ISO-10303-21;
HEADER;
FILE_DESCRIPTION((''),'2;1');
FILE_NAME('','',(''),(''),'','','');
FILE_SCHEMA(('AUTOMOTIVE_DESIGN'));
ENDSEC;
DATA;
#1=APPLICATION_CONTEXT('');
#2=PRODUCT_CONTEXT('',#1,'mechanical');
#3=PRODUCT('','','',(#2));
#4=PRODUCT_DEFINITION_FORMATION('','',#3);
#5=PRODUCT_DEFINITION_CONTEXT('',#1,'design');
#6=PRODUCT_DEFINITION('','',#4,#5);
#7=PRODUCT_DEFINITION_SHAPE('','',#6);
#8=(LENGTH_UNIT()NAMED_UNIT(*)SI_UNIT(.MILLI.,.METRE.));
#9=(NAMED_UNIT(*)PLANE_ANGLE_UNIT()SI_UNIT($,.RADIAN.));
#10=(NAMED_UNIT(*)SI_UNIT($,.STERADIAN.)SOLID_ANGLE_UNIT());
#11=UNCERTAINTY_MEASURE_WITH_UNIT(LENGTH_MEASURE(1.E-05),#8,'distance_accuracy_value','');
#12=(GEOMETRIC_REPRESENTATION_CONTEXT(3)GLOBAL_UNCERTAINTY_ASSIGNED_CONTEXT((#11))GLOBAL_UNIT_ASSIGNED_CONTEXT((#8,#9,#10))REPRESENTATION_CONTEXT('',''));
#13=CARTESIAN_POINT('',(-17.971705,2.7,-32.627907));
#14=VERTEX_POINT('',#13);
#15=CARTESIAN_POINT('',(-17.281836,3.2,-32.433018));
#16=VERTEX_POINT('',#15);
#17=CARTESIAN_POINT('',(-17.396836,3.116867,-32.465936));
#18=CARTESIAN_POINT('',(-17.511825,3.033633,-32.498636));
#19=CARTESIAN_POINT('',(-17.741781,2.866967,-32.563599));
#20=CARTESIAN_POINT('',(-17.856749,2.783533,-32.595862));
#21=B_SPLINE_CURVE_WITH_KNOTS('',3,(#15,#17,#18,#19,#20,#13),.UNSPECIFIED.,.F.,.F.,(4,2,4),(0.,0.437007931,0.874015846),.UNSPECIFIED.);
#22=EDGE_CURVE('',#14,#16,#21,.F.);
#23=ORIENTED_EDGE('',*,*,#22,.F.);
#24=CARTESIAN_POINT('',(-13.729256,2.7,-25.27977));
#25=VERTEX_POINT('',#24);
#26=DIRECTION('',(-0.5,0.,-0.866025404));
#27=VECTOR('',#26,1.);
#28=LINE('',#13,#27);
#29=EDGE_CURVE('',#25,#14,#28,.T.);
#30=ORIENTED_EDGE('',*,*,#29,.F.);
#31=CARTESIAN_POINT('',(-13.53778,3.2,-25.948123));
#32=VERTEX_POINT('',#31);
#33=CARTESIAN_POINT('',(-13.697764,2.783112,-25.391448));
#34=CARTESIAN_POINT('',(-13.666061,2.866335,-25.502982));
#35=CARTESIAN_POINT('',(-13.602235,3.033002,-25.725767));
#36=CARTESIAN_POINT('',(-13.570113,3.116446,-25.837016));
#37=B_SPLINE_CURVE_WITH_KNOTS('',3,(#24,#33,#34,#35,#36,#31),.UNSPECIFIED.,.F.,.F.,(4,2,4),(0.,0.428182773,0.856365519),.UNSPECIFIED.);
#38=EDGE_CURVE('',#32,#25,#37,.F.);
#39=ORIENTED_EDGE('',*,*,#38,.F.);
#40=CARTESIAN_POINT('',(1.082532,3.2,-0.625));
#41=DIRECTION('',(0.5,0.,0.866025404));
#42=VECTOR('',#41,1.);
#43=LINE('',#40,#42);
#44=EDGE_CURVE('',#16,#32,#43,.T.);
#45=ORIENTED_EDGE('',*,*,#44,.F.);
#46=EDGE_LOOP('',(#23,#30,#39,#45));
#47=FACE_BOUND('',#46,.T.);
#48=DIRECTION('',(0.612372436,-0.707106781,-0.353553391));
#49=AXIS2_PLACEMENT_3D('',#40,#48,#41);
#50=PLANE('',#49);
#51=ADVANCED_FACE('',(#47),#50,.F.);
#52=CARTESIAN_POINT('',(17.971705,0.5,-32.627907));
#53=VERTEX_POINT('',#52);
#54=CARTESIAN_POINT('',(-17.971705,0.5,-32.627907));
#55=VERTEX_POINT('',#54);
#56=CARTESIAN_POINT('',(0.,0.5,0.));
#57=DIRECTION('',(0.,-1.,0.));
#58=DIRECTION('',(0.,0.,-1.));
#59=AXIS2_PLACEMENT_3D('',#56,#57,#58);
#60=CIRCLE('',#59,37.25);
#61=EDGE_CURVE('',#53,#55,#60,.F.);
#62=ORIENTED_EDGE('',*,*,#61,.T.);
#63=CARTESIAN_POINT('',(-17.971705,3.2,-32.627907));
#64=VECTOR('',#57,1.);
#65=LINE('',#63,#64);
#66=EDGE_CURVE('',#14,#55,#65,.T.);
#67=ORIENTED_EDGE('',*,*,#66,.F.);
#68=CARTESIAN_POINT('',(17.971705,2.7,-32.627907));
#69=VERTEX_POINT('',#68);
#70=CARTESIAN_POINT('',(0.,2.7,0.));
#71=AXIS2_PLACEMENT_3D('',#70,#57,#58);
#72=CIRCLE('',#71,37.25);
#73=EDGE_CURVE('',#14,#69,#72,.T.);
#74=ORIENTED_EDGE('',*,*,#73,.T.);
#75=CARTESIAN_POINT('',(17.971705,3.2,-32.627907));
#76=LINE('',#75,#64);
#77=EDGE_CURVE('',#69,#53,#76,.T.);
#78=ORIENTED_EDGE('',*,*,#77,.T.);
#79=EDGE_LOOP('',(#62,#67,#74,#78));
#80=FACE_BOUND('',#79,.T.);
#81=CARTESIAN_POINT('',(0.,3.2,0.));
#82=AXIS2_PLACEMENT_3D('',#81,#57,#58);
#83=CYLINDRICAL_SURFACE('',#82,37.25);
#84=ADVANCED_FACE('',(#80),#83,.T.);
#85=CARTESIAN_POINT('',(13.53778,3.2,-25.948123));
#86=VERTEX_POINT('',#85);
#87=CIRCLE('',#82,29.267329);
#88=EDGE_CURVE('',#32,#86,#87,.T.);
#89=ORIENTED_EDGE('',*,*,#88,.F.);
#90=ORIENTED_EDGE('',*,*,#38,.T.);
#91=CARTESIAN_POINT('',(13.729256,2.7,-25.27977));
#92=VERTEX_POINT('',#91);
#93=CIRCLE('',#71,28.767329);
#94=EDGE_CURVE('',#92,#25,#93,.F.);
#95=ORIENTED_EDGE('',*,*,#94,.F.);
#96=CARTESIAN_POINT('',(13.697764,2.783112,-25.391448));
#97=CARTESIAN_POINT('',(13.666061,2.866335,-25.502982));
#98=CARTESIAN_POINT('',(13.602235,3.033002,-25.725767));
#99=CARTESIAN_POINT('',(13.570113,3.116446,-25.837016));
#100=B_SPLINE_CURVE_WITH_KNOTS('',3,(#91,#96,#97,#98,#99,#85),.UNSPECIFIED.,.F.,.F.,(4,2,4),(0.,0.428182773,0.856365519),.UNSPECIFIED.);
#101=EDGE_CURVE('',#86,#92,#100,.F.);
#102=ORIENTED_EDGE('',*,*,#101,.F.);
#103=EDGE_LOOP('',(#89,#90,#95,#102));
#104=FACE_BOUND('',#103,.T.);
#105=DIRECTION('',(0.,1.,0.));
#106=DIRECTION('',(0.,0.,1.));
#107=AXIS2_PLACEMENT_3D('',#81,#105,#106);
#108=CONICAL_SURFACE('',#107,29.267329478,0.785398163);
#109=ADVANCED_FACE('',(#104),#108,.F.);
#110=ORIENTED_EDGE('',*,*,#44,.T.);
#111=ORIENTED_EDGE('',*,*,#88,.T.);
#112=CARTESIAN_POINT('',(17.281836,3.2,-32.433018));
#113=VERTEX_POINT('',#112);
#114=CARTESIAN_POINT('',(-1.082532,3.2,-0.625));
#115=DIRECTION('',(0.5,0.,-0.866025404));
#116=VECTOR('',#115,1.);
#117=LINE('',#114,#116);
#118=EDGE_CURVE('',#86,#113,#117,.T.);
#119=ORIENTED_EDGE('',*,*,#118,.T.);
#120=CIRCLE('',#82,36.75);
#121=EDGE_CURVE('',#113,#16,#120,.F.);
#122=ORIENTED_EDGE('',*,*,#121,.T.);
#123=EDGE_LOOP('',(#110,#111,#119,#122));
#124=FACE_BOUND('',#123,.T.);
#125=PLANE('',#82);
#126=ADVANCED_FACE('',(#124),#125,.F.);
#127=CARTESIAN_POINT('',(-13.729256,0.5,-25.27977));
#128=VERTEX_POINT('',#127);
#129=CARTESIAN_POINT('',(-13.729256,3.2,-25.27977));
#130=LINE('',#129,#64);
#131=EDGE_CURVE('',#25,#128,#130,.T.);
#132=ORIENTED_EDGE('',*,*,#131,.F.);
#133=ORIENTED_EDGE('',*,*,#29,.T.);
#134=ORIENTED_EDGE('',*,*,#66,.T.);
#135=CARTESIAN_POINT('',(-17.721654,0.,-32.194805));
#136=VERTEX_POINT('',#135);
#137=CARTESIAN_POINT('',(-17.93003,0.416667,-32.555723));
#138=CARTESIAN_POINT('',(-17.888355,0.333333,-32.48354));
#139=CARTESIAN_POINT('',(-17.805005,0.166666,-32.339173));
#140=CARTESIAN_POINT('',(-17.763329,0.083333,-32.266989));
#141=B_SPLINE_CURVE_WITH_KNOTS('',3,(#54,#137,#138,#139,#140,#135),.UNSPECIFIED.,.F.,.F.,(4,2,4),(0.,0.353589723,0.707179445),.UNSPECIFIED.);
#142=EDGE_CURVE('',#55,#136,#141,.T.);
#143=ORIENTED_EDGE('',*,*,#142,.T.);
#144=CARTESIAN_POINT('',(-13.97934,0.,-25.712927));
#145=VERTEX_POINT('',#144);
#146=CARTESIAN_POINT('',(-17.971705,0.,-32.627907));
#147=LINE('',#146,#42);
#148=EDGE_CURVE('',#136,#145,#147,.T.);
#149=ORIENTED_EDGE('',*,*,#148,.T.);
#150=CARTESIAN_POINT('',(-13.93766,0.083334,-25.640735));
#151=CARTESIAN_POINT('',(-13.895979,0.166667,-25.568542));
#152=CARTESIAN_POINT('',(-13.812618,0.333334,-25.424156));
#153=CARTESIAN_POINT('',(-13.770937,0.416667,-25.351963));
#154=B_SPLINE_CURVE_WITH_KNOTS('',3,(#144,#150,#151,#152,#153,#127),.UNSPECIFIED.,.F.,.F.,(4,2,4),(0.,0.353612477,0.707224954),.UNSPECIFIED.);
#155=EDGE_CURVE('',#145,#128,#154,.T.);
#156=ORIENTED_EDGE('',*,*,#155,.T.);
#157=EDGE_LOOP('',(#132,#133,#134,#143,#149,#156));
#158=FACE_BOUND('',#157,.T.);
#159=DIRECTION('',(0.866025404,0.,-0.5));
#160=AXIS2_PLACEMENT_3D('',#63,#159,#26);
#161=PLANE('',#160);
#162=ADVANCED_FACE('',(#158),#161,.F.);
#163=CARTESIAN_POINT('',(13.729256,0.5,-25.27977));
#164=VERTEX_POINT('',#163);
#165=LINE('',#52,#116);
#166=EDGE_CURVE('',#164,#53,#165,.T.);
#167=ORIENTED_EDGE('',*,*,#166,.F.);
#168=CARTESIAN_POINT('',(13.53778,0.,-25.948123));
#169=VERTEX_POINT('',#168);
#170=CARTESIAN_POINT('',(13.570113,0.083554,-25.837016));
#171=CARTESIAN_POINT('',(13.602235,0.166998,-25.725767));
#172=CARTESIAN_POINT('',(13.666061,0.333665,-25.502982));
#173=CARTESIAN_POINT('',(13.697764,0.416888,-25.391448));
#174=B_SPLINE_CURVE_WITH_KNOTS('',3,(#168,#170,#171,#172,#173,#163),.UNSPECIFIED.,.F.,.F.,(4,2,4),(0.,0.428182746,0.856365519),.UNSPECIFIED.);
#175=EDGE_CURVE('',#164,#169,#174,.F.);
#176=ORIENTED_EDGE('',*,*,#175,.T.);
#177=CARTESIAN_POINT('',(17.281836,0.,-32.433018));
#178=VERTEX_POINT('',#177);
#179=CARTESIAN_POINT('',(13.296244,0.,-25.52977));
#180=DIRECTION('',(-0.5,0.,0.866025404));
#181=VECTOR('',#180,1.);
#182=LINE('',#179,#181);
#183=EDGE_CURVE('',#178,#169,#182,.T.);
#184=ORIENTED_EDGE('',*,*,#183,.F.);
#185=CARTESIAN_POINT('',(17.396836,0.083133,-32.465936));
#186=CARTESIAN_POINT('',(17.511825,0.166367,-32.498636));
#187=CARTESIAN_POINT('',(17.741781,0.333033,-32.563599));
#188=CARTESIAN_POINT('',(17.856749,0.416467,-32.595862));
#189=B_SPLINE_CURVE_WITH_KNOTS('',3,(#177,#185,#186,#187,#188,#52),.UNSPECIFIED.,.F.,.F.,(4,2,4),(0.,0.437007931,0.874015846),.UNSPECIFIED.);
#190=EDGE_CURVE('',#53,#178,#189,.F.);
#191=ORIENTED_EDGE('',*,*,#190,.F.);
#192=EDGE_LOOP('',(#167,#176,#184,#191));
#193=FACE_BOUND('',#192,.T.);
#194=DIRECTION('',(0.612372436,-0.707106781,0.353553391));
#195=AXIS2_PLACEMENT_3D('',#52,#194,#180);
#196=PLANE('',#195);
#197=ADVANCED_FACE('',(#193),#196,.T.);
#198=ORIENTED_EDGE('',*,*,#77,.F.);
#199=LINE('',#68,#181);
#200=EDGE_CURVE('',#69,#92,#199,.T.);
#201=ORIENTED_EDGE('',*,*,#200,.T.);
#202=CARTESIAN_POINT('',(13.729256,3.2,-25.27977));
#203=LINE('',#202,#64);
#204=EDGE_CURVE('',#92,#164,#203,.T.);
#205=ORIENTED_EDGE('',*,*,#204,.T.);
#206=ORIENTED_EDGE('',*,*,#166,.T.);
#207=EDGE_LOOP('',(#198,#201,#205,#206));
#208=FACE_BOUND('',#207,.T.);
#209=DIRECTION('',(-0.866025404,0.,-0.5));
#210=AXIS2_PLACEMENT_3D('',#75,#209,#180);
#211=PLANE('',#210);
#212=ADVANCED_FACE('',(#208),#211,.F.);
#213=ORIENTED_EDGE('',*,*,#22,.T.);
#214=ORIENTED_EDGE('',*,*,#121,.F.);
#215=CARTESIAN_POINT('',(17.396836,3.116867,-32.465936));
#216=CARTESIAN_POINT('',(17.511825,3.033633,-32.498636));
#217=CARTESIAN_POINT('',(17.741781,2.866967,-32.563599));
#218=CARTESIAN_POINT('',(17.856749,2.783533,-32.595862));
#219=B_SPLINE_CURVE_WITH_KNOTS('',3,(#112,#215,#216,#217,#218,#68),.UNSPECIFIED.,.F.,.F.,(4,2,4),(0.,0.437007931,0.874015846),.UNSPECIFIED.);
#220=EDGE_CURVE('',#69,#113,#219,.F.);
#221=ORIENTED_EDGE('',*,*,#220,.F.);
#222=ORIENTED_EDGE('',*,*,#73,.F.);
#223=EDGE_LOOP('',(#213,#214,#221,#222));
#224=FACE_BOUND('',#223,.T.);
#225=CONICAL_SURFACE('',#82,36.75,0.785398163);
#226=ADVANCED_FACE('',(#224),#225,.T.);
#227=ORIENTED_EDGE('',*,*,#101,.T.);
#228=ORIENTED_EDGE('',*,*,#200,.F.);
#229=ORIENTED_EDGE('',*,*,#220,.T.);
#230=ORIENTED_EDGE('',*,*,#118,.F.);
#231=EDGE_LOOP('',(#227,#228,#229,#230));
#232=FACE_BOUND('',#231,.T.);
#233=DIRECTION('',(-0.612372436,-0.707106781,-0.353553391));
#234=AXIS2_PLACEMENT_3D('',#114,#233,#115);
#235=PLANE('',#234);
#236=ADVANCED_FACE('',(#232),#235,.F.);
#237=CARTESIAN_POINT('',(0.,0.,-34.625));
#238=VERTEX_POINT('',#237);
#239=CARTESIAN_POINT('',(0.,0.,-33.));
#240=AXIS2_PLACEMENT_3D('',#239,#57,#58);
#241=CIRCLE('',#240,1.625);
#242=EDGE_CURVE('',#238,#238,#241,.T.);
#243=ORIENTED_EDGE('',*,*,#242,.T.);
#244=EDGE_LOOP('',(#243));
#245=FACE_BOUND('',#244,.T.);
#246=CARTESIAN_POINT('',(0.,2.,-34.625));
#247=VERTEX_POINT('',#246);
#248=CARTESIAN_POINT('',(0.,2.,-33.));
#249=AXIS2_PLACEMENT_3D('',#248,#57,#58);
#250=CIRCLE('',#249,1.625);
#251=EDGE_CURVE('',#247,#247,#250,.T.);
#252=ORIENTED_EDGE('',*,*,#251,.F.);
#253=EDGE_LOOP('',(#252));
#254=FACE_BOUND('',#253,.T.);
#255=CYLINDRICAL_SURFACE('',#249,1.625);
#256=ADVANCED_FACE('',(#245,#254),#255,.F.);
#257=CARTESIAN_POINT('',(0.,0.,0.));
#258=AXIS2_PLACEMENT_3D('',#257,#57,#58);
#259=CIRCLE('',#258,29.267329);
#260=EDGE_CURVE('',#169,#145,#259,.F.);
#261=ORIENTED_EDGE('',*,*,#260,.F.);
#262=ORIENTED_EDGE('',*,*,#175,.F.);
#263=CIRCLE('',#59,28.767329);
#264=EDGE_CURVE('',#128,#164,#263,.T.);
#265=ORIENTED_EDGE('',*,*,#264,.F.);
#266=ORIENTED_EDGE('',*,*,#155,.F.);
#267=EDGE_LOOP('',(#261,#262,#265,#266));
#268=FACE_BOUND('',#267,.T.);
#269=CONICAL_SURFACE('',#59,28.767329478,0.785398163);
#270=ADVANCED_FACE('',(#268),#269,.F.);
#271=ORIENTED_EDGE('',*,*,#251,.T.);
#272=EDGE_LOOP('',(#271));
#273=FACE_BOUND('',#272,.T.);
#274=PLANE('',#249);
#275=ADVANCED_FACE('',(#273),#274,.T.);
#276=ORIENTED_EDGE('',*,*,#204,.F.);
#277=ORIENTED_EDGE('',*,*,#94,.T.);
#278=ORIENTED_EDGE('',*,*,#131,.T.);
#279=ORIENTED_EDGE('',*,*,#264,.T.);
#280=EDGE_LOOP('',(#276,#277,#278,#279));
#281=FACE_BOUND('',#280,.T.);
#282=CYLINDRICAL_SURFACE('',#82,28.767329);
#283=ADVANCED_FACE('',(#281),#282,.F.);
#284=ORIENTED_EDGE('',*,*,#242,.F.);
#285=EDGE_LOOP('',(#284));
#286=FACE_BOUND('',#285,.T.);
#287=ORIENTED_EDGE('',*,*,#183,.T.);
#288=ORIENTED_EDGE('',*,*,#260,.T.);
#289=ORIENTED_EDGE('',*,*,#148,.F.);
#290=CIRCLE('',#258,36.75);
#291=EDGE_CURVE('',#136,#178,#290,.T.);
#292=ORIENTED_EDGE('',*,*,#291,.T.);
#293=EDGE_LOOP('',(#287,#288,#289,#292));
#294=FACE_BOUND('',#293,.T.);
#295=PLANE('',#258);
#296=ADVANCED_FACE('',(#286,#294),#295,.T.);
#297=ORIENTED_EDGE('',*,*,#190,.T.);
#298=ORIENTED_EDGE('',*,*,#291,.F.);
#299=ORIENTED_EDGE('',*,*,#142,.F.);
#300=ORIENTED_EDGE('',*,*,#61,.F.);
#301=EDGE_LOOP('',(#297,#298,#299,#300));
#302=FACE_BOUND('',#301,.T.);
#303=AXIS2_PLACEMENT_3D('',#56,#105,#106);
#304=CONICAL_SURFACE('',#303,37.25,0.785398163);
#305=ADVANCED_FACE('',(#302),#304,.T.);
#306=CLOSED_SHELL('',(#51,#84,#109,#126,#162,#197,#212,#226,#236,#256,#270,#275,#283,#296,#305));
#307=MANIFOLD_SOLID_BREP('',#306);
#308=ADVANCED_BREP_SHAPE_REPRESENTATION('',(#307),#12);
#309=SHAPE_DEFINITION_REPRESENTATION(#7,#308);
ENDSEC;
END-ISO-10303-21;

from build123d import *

# Parameters (mm, degrees)
BOSS_EXTRUDE1_DEPTH = 3.2
CHAMFER1_SIZE       = 0.5
SKETCH2_R           = 1.625
CUT_EXTRUDE1_DEPTH  = 2


with BuildPart() as part:
    # Sketch1 → Boss-Extrude1 (new body)
    with BuildSketch(Plane(origin=(0, 0, 0), x_dir=(1, 0, 0), z_dir=(0, 1, 0))):
        with BuildLine():
            Line((-17.971705397, 32.627906846), (-13.729256498, 25.279769804))
            ThreePointArc((-13.729256498, 25.279769804), (0, 28.767329478), (13.729256498, 25.279769804))
            Line((13.729256498, 25.279769804), (17.971705397, 32.627906846))
            ThreePointArc((17.971705397, 32.627906846), (0, 37.25), (-17.971705397, 32.627906846))
        make_face()
    extrude(amount=BOSS_EXTRUDE1_DEPTH)

    # Chamfer1
    chamfer1_edges = [part.edges().sort_by_distance(p)[0] for p in [
        (0, 3.2, -28.767329478),
        (15.850480947, 3.2, -28.953838325),
        (0, 3.2, -37.25),
        (15.850480947, 0, -28.953838325),
        (0, 0, -28.767329478),
        (0, 0, -37.25),
        (-15.850480947, 3.2, -28.953838325),
    ]]
    chamfer(chamfer1_edges, length=CHAMFER1_SIZE)

    # Sketch2 → Cut-Extrude1 (cut)
    with BuildSketch(Plane.XZ):
        with Locations(Location((0, -33, 0), (0, 0, 270))):
            Circle(SKETCH2_R)
    extrude(amount=-CUT_EXTRUDE1_DEPTH, mode=Mode.SUBTRACT)


solid = part.part
